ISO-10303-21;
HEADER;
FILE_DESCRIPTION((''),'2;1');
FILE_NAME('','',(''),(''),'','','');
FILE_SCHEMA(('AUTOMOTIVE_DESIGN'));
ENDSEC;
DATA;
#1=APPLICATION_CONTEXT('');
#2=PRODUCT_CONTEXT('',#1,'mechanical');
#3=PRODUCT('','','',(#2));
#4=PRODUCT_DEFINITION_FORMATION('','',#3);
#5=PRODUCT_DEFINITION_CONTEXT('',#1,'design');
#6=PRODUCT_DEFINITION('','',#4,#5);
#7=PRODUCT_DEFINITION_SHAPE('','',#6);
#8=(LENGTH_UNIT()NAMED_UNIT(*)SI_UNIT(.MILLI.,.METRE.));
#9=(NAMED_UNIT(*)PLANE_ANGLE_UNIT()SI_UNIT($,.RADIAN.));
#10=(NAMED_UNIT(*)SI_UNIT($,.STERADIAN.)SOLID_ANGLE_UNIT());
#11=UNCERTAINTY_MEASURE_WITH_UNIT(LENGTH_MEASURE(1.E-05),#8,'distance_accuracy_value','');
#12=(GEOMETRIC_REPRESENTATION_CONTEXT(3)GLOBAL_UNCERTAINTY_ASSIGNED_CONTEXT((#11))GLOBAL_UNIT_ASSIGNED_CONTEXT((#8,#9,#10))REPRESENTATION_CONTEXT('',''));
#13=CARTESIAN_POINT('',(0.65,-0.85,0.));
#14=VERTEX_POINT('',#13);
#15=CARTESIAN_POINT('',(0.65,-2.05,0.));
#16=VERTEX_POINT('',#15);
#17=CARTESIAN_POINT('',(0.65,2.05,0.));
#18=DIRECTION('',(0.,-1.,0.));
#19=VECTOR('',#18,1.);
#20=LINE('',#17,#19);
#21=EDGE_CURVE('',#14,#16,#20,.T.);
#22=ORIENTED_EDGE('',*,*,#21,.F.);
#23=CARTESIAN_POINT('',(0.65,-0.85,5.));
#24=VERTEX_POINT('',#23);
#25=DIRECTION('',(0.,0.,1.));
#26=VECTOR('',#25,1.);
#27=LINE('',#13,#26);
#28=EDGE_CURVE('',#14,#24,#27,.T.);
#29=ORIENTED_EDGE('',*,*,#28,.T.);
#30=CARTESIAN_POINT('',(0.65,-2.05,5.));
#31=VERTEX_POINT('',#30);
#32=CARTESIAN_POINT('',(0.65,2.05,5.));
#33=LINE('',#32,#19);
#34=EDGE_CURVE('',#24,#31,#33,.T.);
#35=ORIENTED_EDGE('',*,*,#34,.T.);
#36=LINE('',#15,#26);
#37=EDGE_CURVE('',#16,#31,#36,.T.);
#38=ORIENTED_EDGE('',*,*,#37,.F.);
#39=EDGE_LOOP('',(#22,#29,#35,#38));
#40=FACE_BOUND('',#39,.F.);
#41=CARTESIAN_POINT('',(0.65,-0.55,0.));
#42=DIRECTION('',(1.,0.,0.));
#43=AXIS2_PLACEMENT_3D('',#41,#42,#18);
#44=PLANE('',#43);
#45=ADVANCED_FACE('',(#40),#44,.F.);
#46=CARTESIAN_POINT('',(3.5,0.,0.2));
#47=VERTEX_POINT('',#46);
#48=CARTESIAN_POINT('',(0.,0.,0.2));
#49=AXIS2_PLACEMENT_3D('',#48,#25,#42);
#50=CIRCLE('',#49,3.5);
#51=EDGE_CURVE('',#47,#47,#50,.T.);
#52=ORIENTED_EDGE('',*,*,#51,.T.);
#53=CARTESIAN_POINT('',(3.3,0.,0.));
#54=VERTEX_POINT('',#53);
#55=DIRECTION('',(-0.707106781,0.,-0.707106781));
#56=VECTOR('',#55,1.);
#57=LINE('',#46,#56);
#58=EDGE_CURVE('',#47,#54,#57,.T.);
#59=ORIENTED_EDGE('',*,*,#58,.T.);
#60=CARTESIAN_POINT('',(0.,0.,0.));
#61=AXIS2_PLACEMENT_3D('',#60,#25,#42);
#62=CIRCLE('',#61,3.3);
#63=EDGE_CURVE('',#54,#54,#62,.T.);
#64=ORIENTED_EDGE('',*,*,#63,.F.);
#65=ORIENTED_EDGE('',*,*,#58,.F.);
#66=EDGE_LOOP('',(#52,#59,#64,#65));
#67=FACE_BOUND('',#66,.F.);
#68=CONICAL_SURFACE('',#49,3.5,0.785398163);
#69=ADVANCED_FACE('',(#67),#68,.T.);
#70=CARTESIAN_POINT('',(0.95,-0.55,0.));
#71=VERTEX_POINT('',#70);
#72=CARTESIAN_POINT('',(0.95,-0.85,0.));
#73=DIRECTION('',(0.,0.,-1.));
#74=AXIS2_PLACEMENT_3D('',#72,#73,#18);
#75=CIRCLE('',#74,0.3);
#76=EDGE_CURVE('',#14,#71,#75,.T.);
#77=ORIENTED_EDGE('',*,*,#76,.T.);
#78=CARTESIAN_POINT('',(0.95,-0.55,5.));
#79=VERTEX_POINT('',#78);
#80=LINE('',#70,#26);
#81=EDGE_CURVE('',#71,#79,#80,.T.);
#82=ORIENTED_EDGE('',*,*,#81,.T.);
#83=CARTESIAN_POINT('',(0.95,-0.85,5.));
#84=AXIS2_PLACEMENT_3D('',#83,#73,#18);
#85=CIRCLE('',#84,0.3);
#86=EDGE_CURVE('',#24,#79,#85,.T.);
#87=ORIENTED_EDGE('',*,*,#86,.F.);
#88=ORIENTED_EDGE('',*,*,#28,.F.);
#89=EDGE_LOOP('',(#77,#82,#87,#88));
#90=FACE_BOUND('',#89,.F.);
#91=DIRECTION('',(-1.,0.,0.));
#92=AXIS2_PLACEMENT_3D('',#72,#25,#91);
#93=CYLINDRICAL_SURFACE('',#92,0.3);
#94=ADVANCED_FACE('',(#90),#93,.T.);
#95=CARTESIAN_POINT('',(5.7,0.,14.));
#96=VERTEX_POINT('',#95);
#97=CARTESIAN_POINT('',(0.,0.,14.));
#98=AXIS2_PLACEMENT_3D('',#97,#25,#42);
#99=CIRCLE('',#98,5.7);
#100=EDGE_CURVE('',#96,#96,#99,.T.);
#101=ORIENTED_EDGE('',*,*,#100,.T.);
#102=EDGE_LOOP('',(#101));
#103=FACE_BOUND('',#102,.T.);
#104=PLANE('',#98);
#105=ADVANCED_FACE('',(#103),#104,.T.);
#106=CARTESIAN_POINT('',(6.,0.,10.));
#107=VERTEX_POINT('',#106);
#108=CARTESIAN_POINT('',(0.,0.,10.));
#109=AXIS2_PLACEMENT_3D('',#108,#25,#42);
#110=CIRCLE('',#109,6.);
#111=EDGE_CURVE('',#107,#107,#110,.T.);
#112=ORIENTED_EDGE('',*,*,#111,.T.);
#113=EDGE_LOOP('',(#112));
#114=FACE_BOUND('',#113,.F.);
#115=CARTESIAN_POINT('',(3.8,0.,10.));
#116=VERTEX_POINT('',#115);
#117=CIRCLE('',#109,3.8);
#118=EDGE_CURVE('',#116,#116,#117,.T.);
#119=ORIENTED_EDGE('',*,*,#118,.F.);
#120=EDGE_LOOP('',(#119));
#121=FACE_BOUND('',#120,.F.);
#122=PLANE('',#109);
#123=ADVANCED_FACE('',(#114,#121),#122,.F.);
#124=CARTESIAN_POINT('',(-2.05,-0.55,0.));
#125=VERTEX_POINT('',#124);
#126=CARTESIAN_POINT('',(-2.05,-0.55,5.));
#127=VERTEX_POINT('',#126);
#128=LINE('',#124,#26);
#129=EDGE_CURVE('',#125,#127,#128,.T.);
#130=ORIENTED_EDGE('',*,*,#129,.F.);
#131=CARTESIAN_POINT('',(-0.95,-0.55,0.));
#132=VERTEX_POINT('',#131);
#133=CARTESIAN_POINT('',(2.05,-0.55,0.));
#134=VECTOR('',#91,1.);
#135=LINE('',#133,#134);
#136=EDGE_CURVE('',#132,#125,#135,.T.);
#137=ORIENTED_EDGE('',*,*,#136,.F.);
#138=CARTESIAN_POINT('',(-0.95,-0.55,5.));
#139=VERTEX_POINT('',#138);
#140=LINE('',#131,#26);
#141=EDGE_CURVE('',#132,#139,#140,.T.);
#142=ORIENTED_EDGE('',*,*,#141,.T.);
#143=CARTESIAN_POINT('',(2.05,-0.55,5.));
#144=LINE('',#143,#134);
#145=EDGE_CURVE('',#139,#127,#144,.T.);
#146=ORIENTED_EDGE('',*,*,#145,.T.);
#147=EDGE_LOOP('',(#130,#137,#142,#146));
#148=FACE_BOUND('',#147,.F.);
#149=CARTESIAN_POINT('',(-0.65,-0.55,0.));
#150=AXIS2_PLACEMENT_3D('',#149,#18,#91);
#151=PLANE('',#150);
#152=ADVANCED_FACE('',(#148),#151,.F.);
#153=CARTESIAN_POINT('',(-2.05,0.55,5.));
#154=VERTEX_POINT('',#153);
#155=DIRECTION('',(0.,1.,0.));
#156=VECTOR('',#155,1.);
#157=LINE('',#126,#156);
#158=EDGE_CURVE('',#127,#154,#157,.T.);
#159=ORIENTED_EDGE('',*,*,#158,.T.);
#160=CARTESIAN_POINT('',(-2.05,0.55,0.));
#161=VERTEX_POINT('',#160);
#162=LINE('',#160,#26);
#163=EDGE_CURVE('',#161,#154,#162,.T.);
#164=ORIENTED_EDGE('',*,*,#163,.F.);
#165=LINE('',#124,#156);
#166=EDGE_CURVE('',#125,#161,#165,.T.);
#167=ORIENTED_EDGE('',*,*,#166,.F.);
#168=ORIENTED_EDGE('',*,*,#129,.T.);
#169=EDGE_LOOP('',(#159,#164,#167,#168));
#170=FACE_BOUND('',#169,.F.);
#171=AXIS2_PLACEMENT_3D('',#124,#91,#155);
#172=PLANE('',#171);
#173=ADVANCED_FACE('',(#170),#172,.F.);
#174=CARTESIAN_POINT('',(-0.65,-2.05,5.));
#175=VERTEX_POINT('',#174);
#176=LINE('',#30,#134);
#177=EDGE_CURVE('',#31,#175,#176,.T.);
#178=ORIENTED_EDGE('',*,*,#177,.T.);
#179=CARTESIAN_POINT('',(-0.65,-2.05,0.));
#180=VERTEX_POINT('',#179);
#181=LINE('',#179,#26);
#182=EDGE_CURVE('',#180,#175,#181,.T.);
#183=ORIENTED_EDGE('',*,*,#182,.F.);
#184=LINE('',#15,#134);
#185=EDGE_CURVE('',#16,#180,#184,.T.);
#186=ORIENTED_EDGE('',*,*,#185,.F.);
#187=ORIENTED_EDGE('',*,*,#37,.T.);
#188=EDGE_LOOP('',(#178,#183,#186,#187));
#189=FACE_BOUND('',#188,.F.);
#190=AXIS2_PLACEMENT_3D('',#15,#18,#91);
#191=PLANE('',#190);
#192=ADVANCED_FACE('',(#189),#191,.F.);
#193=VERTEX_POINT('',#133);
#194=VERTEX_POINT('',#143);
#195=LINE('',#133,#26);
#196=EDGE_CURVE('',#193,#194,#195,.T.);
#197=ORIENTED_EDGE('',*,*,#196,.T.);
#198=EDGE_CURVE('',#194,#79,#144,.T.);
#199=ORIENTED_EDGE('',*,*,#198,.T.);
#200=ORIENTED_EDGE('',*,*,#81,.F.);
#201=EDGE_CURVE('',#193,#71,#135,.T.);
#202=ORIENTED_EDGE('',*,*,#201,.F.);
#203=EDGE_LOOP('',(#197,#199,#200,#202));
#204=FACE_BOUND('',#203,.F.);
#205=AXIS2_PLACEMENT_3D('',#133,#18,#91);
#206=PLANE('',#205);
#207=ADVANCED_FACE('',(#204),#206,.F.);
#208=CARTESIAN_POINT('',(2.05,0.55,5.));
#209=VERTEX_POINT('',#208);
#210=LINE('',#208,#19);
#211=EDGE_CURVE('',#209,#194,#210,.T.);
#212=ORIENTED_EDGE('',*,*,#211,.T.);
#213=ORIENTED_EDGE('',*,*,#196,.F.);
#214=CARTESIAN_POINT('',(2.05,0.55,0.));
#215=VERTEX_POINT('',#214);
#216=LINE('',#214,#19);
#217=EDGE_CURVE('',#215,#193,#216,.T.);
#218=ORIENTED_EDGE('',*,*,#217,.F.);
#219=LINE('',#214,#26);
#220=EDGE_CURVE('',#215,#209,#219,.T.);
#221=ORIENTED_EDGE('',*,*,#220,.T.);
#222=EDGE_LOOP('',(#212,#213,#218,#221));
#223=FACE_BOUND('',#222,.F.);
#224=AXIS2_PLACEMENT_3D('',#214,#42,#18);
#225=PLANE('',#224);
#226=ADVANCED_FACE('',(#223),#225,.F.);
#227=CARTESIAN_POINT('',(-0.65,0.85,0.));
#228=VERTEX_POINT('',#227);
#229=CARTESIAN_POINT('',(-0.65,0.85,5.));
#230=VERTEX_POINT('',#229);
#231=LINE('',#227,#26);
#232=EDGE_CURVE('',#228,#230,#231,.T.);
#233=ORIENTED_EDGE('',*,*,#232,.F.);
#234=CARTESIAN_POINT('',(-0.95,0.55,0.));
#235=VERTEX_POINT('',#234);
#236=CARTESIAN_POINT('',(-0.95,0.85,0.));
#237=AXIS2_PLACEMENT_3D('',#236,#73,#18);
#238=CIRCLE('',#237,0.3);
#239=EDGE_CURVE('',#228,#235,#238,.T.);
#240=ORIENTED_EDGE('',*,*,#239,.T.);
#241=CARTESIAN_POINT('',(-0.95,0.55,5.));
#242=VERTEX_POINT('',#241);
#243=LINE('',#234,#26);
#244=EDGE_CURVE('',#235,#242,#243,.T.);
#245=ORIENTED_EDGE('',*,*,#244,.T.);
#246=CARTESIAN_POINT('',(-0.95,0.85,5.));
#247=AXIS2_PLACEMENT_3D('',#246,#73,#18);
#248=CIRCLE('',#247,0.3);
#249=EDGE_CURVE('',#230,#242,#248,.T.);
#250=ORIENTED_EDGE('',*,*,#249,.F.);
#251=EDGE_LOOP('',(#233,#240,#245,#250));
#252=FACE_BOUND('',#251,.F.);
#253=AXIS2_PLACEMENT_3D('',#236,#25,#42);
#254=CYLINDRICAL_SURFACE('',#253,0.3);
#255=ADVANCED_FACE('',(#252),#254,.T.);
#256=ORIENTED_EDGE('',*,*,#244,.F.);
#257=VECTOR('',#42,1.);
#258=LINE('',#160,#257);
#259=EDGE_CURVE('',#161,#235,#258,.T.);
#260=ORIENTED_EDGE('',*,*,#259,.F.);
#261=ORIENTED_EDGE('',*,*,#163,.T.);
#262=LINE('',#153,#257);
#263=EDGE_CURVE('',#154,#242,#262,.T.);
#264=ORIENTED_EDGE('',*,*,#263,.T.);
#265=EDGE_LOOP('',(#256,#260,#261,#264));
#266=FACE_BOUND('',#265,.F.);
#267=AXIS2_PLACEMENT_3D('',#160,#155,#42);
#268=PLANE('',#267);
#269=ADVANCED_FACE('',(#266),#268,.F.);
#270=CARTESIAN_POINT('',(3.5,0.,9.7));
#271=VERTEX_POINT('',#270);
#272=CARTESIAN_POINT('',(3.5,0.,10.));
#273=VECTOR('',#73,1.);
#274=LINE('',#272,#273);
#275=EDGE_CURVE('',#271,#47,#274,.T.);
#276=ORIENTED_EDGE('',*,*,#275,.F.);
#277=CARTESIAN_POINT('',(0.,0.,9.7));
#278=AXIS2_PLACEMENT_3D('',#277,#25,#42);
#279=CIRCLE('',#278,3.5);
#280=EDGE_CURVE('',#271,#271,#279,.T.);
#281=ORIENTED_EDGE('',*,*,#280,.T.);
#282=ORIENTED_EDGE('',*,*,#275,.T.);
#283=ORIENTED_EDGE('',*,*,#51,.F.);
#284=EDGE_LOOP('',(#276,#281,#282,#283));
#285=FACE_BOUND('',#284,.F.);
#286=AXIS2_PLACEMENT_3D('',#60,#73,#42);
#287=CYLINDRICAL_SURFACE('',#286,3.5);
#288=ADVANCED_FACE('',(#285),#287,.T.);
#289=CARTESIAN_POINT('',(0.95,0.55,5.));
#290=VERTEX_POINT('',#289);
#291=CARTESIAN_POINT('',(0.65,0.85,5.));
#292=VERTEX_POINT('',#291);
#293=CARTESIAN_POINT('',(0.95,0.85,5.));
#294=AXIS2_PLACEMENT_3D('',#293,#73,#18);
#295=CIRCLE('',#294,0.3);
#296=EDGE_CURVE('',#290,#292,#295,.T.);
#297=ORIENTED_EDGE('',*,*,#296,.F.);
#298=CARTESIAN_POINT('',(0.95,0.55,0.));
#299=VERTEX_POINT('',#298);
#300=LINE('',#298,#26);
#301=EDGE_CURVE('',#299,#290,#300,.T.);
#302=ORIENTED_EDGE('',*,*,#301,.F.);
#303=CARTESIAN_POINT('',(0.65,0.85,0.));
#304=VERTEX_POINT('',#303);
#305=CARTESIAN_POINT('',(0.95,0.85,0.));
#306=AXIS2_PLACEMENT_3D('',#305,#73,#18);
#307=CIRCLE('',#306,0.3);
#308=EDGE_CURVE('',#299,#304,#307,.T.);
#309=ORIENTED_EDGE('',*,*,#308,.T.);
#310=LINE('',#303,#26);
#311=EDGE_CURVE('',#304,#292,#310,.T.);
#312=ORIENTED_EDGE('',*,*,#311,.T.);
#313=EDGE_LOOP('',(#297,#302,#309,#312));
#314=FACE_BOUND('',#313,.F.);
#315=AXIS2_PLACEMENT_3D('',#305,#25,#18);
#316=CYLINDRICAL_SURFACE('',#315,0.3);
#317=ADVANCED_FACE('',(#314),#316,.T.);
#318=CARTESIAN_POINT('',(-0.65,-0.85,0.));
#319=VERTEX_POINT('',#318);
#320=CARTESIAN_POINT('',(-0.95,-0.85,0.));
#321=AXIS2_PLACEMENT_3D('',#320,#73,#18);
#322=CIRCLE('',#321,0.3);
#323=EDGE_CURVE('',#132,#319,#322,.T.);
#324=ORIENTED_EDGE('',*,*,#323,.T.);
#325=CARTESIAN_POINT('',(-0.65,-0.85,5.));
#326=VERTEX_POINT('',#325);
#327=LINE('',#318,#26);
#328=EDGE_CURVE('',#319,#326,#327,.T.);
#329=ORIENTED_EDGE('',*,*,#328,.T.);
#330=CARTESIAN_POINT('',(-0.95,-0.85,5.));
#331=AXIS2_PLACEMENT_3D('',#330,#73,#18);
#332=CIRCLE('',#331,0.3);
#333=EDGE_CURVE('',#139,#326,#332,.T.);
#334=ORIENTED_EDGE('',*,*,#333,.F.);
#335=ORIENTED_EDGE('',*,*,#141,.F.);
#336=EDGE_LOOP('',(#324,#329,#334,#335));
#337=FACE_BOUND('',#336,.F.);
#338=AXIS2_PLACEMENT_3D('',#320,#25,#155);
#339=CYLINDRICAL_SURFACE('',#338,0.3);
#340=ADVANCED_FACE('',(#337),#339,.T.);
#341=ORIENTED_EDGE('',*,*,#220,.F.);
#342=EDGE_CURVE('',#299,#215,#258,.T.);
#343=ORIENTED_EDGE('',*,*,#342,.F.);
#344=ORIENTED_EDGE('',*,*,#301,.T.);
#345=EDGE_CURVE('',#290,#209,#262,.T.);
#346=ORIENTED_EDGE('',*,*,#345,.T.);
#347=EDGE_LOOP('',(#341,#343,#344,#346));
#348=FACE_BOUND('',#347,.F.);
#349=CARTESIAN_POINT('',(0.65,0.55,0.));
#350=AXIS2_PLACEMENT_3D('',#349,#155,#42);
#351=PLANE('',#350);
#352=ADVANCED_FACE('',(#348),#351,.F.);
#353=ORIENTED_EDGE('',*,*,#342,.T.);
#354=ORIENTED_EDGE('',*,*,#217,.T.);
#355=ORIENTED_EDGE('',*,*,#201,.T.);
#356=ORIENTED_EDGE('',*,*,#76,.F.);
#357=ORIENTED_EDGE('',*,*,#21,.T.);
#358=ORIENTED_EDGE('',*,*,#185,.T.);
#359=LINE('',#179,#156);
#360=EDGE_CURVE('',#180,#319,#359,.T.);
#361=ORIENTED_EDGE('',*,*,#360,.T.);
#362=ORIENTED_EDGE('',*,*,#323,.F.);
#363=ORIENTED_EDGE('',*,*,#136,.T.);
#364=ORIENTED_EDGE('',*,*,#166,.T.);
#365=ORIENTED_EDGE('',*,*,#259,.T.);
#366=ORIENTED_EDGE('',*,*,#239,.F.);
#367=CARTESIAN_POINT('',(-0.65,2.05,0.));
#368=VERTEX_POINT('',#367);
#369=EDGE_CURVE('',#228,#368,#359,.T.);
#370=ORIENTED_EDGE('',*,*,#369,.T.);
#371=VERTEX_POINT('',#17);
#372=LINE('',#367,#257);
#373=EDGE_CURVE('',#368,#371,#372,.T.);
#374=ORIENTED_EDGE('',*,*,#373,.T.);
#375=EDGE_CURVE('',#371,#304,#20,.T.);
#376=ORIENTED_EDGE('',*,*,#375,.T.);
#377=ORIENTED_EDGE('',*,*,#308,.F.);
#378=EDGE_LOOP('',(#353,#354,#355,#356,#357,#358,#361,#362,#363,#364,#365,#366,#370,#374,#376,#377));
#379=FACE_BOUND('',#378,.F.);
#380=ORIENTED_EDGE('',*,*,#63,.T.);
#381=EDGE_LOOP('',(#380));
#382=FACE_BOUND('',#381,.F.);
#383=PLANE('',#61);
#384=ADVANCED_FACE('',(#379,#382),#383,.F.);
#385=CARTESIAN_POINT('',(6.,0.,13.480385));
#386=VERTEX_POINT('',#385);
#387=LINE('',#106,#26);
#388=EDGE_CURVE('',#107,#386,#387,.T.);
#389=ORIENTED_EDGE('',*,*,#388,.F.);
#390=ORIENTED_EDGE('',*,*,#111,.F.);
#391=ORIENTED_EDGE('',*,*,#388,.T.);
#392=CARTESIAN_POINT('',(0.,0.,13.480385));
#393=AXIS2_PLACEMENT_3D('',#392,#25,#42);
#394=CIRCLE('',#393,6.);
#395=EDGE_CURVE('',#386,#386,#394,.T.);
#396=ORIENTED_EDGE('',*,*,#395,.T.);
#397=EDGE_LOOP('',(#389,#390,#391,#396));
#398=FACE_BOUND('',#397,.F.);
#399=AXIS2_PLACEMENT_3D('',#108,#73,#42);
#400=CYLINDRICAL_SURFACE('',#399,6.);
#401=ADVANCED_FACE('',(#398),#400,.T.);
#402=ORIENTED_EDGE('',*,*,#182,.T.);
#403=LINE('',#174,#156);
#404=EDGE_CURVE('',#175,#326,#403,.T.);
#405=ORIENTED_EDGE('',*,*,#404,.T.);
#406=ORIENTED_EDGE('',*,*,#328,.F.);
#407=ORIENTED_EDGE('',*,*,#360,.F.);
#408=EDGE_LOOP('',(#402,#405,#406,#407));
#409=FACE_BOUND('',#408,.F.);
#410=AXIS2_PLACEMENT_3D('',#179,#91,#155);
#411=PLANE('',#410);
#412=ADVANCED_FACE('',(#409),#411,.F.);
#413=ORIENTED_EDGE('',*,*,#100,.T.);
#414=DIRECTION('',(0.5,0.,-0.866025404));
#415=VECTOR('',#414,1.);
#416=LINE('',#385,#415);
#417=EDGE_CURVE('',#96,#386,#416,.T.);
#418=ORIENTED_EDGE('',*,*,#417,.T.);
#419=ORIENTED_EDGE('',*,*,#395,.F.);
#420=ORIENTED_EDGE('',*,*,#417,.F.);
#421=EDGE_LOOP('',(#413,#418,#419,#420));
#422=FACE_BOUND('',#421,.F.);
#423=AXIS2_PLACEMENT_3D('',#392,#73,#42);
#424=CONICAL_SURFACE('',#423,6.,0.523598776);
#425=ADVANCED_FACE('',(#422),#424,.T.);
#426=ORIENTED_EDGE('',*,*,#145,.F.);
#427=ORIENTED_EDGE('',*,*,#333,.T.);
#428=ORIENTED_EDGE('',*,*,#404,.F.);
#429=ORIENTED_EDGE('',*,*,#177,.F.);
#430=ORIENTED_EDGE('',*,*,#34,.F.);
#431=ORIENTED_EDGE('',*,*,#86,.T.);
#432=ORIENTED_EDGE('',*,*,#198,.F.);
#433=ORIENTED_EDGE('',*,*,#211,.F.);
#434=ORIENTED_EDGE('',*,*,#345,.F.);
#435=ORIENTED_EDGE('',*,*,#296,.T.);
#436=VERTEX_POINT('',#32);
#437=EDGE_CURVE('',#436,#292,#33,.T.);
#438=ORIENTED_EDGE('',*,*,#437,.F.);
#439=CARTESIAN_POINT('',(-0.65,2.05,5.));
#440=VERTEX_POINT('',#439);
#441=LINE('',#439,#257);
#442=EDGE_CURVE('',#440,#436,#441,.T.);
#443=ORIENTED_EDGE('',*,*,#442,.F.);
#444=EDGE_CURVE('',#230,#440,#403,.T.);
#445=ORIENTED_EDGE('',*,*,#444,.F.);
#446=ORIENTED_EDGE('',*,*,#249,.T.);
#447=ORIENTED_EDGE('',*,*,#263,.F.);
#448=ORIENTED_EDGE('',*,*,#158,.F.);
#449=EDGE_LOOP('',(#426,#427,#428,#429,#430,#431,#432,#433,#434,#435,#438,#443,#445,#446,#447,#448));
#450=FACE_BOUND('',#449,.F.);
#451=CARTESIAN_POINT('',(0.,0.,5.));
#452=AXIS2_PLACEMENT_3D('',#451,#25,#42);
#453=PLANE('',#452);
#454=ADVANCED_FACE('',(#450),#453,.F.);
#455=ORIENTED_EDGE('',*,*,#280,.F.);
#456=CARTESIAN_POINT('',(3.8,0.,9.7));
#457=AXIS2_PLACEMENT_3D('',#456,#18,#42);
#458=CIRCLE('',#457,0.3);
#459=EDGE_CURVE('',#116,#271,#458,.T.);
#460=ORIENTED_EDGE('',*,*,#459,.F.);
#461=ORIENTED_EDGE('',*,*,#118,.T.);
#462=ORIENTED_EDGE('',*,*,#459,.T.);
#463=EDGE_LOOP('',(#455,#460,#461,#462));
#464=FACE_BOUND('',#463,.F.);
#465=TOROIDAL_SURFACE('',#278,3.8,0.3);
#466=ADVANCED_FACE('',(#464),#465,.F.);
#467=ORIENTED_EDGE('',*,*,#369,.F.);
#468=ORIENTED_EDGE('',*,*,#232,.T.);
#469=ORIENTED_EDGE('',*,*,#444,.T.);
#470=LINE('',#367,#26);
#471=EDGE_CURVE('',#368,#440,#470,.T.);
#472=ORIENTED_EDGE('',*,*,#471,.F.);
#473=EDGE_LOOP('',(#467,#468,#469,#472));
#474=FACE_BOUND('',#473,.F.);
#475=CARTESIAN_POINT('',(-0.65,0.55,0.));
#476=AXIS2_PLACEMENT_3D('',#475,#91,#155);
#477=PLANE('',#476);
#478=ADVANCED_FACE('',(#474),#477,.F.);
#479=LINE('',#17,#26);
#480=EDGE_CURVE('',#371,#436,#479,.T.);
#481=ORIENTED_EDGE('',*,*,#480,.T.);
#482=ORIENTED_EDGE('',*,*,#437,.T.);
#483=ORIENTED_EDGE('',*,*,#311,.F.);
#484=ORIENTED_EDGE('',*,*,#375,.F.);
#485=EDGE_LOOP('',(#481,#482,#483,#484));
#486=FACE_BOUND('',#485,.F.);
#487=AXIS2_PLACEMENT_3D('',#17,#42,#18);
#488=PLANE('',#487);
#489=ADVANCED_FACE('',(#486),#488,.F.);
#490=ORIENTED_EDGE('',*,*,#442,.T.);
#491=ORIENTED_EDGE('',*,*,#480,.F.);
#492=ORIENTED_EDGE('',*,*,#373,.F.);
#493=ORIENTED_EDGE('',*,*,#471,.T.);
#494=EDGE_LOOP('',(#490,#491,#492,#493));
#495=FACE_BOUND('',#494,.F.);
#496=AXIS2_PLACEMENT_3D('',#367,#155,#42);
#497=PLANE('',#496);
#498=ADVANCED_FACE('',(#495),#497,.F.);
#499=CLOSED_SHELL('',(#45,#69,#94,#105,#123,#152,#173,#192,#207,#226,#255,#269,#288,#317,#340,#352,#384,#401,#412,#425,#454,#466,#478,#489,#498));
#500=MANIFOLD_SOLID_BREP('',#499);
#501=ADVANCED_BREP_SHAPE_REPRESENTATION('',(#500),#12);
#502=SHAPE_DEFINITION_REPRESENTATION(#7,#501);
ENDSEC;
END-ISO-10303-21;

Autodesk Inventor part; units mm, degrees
ref_plane "YZ Plane" through (0, 0, 0) normal (1, 0, 0) x (0, 1, 0)
ref_plane "XZ Plane" through (0, 0, 0) normal (0, 1, 0) x (-1, 0, 0)
ref_plane "XY Plane" through (0, 0, 0) normal (0, 0, 1) x (1, 0, 0)
sketch "Skizze1" plane through (0, 0, 0) normal (0, 0, 1) x (1, 0, 0)
  line L0 (-2.05, 0.55) -> (2.05, 0.55)
  line L1 (2.05, 0.55) -> (2.05, -0.55)
  line L2 (2.05, -0.55) -> (-2.05, -0.55)
  line L3 (-2.05, -0.55) -> (-2.05, 0.55)
  line L4 (-0.65, 2.05) -> (0.65, 2.05)
  line L5 (0.65, 2.05) -> (0.65, -2.05)
  line L6 (0.65, -2.05) -> (-0.65, -2.05)
  line L7 (-0.65, -2.05) -> (-0.65, 2.05)
  circle A0 centre (0, 0) radius 3.5
  line L8 (-4.9, 0) -> (4.9, 0) construction
  line L9 (0, -4.9) -> (0, 4.9) construction
  point P0 (0.65, -0.55)
  point P1 (-0.65, -0.55)
  point P2 (-0.65, 0.55)
  point P3 (0.65, 0.55)
  dimension "d0" = 1.3
  dimension "d1" = 1.1
  dimension "d2" = 4.1
  dimension "d3" = 4.1
  dimension "d4" = 7
extrude "Extrusion1" add sketch "Skizze1" along normal blind 5
sketch "Skizze2" plane through (0, 0, 5) normal (0, 0, 1) x (1, 0, 0)
  circle A0 centre (0, 0) radius 3.5 projected
extrude "Extrusion2" add sketch "Skizze2" along normal blind 5
sketch "Skizze3" plane through (0, 0, 10) normal (0, 0, 1) x (1, 0, 0)
  circle A0 centre (0, 0) radius 6
  dimension "d9" = 12
extrude "Extrusion3" add sketch "Skizze3" along normal blind 4
chamfer "Fase1" distance 0.3 angle 60 1 edges at (-6, 0, 14) measured on face at (-0.7092, 1.4219, 14)
fillet "Rundung1" radius 0.3 1 edges at (-3.5, 0, 10)
chamfer "Fase2" distance 0.2 angle 45 1 edges at (-3.5, 0, 0)
fillet "Rundung2" radius 0.3 4 edges at (0.65, -0.55, 2.5) (-0.65, -0.55, 2.5) (0.65, 0.55, 2.5) (-0.65, 0.55, 2.5)
properties part number "Totmannknopf"
